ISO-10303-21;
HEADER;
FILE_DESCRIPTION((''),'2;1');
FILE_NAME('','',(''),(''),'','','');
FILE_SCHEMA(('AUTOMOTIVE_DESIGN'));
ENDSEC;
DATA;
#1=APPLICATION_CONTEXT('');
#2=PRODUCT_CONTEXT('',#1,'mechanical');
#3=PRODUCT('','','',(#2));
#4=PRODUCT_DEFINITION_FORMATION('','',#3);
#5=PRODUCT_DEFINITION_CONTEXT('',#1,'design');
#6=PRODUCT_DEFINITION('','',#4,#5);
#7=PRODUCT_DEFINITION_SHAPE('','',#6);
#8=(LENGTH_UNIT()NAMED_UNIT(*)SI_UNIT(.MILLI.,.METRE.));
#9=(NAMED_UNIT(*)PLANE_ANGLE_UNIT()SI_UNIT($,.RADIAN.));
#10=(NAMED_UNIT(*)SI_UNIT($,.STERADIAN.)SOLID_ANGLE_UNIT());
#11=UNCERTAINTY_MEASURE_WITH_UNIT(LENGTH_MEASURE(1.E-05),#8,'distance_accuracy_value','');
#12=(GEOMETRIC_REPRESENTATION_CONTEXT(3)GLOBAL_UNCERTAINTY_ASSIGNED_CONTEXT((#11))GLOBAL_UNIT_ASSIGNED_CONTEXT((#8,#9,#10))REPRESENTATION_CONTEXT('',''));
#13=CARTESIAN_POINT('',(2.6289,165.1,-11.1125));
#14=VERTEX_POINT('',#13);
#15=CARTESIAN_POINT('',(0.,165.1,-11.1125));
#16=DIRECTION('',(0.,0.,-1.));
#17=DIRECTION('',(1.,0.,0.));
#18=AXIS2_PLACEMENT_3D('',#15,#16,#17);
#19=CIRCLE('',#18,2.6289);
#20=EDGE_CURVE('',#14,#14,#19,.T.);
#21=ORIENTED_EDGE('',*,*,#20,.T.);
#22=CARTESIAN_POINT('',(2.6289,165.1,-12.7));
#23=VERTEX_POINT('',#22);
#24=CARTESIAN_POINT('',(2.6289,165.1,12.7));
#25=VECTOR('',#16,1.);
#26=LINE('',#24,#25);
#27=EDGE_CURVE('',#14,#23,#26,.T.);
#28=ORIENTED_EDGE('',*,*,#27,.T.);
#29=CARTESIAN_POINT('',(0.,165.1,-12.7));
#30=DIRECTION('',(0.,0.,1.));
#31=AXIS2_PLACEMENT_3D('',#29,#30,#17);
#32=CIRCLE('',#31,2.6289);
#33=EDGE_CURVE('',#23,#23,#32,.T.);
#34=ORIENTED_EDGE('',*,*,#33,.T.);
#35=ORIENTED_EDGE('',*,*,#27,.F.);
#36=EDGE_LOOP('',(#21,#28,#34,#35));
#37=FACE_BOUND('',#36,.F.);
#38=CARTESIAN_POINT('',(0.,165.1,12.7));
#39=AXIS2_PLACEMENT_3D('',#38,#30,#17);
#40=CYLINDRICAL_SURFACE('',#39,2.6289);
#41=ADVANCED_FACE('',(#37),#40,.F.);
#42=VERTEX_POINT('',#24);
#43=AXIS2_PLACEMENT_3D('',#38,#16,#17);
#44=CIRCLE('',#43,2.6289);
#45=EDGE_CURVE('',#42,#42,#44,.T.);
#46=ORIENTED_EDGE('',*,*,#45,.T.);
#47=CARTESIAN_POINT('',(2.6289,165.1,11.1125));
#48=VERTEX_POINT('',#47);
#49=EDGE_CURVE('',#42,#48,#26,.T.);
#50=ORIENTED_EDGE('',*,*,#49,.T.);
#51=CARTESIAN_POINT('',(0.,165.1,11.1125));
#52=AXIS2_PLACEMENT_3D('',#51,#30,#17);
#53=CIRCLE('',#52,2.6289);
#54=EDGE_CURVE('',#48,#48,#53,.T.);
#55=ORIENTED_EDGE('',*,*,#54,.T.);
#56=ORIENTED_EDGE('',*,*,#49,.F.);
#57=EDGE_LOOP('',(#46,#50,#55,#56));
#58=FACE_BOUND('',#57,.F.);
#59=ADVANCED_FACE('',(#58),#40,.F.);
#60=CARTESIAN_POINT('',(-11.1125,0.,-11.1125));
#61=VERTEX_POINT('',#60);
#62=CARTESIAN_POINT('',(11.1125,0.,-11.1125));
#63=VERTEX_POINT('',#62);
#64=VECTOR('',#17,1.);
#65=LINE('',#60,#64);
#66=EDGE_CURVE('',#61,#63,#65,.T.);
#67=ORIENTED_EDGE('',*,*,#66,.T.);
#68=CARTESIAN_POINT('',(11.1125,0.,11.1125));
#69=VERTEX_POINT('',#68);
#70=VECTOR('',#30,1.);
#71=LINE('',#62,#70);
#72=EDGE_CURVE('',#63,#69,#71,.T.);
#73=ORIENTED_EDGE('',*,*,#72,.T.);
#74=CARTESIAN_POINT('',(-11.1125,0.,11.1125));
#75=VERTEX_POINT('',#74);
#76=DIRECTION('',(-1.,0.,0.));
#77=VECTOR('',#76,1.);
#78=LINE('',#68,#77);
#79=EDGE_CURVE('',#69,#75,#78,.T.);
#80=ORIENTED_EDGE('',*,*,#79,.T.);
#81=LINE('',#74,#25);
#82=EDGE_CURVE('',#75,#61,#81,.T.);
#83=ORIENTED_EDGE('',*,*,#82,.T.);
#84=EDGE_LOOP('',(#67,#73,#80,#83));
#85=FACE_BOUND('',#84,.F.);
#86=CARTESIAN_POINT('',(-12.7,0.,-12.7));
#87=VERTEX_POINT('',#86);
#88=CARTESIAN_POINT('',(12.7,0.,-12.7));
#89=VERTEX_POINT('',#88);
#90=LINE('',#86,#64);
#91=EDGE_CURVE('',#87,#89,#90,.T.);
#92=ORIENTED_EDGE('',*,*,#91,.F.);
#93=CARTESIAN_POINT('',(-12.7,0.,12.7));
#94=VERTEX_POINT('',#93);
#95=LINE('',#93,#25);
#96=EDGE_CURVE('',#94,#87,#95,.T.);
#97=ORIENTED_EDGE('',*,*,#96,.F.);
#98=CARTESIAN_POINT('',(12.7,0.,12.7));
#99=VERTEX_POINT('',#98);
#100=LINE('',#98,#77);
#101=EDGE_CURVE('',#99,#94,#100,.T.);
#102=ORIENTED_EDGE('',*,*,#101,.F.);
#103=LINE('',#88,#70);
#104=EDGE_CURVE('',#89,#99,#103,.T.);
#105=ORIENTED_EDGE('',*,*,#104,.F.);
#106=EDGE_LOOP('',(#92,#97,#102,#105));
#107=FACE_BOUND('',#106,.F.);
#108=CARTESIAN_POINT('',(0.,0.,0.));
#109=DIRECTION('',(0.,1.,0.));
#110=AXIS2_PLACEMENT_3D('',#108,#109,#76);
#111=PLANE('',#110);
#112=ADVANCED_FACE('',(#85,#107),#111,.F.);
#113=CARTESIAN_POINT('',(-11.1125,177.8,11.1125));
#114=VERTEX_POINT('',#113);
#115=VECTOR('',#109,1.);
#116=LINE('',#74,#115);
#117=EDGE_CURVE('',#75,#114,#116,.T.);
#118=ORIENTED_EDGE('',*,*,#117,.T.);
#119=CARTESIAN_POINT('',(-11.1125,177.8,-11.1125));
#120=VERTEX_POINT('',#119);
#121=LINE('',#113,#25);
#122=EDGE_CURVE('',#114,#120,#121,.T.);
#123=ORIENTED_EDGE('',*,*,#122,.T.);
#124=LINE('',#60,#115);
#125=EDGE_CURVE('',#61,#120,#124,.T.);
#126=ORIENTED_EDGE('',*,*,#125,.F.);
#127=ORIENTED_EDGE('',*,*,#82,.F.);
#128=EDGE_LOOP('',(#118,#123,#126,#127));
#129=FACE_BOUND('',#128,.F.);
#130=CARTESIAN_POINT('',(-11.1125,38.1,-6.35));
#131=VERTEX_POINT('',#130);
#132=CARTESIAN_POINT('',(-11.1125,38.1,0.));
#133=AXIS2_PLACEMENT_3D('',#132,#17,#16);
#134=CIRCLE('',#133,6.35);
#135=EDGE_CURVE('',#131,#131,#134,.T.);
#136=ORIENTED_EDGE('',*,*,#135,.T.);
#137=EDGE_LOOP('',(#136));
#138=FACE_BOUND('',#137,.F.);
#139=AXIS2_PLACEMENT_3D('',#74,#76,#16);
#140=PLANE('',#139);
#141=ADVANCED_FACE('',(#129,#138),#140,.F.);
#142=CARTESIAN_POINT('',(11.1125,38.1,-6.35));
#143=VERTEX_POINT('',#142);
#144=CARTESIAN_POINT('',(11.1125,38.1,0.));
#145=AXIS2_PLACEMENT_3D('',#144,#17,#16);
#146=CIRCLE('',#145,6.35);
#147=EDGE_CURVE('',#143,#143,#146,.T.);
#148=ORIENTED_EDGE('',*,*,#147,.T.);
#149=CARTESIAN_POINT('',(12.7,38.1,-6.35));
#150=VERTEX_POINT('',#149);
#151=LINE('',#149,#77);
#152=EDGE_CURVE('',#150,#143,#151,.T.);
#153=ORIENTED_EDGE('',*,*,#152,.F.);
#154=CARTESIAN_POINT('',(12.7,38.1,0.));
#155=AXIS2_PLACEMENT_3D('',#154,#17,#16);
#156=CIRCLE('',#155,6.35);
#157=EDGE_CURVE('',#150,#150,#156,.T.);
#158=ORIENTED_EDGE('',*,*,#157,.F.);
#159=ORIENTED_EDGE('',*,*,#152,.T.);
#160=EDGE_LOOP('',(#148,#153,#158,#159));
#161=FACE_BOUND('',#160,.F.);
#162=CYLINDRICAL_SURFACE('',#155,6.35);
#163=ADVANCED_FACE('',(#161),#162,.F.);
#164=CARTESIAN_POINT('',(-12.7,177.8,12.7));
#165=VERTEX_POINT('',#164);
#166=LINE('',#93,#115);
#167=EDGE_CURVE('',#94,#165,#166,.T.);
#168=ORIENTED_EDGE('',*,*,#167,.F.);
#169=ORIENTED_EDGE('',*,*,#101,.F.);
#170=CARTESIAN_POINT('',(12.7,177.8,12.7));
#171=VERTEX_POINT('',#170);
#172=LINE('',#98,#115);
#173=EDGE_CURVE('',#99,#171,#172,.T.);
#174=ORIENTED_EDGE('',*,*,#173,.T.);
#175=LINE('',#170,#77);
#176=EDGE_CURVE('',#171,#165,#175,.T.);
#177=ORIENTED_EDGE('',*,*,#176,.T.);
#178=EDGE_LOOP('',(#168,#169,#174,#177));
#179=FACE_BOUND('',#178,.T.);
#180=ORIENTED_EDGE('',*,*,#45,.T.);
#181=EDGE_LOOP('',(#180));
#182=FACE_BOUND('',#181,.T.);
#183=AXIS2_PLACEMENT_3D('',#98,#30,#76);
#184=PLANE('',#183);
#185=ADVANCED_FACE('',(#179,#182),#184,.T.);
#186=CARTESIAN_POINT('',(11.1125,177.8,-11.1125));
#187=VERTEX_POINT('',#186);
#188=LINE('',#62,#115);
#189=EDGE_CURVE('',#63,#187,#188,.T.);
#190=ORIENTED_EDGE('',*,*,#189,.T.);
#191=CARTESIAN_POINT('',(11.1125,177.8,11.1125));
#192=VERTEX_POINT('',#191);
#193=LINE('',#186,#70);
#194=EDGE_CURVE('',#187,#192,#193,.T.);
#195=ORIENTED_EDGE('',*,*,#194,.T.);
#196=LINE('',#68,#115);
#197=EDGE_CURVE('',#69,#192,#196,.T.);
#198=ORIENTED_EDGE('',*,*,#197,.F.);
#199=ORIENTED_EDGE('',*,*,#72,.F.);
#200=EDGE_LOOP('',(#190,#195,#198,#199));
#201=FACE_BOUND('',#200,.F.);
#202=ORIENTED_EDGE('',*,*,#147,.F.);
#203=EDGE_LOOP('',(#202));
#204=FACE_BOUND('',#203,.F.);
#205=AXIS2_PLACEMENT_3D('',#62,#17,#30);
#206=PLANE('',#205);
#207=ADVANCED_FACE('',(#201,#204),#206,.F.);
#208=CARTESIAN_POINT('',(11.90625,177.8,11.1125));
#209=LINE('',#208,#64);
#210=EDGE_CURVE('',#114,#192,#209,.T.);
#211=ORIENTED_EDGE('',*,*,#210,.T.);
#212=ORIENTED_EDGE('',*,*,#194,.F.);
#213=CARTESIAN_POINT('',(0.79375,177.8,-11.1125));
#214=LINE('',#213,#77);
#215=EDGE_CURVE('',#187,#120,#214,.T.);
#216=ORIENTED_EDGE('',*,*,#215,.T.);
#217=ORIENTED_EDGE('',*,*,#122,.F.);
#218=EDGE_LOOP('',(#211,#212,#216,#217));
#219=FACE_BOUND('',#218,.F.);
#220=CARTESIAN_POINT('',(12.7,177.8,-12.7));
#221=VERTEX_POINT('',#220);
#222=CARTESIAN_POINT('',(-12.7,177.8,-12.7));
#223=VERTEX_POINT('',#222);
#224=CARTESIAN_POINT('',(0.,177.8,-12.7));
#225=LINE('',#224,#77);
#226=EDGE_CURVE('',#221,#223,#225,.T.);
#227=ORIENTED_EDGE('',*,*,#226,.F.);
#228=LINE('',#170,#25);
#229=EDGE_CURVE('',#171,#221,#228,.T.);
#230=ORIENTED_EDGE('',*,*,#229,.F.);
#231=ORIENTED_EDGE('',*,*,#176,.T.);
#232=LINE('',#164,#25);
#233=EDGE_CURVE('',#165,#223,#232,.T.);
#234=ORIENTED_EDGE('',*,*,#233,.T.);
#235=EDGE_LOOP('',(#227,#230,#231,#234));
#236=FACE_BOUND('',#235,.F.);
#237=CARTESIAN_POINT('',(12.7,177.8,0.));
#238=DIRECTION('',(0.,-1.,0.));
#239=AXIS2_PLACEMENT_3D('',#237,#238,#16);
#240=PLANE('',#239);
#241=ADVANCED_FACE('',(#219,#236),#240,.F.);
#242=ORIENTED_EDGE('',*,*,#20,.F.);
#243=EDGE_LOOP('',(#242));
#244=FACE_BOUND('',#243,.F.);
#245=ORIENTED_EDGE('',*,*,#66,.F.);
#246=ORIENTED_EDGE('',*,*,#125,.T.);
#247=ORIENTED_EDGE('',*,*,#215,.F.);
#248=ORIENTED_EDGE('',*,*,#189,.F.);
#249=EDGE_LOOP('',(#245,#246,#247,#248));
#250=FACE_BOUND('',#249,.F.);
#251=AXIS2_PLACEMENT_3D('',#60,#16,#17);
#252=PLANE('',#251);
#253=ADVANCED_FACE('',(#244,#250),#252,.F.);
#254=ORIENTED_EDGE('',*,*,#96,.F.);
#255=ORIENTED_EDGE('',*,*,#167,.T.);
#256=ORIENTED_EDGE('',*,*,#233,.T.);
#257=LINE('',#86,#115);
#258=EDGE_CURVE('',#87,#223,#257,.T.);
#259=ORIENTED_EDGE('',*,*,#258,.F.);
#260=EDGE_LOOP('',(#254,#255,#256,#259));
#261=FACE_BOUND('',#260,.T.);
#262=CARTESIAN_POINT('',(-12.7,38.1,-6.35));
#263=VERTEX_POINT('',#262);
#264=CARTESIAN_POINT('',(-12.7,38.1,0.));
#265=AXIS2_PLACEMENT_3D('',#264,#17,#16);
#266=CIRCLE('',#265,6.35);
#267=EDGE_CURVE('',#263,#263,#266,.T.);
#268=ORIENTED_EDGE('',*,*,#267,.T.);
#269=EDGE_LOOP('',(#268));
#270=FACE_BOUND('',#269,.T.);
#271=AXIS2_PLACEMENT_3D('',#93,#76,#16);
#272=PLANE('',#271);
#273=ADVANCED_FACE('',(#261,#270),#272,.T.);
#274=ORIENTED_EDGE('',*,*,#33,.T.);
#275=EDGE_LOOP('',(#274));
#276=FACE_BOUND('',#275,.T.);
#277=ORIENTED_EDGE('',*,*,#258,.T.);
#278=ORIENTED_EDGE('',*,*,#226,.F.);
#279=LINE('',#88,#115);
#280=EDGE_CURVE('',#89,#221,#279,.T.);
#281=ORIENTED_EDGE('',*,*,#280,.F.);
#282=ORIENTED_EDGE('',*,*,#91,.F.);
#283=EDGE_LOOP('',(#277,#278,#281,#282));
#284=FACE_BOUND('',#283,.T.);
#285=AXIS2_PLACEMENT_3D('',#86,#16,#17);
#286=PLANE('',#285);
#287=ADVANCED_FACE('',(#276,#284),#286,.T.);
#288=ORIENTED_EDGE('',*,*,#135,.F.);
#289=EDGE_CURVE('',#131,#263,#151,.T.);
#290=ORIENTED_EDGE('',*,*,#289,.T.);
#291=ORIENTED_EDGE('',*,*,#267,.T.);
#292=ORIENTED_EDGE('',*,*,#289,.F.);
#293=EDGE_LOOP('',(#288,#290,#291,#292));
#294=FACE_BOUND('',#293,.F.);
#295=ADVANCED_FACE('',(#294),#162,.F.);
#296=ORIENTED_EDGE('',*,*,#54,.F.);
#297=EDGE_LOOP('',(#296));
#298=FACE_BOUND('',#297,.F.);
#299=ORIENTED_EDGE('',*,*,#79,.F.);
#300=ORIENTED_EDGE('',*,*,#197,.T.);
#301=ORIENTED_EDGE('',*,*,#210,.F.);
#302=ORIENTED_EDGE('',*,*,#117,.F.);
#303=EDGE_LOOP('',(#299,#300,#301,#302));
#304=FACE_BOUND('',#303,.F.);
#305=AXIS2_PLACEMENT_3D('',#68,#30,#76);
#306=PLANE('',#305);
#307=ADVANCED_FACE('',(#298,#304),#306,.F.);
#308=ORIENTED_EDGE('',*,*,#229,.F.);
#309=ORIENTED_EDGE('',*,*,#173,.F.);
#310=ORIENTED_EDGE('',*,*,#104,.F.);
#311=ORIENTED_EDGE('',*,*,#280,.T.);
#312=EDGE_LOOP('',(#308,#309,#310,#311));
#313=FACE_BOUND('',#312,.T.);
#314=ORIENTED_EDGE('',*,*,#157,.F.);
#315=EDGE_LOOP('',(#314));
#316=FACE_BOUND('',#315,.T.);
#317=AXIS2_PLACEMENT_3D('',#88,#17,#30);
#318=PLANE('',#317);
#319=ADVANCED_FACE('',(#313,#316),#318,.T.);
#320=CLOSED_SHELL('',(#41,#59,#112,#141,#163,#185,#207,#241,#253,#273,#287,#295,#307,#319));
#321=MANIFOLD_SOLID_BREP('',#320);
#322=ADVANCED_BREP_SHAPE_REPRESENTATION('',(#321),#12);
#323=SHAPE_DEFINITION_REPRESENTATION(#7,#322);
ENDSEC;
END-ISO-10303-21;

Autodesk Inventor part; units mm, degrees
ref_plane "YZ Plane" through (0, 0, 0) normal (1, 0, 0) x (0, 1, 0)
ref_plane "XZ Plane" through (0, 0, 0) normal (0, 1, 0) x (-1, 0, 0)
ref_plane "XY Plane" through (0, 0, 0) normal (0, 0, 1) x (1, 0, 0)
sketch "Sketch1" plane through (0, 0, 0) normal (0, 1, 0) x (-1, 0, 0)
  line L0 (12.7, 12.7) -> (12.7, -12.7)
  line L1 (12.7, -12.7) -> (-12.7, -12.7)
  line L2 (-12.7, -12.7) -> (-12.7, 12.7)
  line L3 (-12.7, 12.7) -> (12.7, 12.7)
  line L4 (12.7, 12.7) -> (-12.7, -12.7) construction
  line L5 (12.7, -12.7) -> (-12.7, 12.7) construction
  line L6 (11.1125, 11.1125) -> (11.1125, -11.1125)
  line L7 (11.1125, -11.1125) -> (-11.1125, -11.1125)
  line L8 (-11.1125, -11.1125) -> (-11.1125, 11.1125)
  line L9 (-11.1125, 11.1125) -> (11.1125, 11.1125)
  line L10 (11.1125, 11.1125) -> (-11.1125, -11.1125) construction
  line L11 (11.1125, -11.1125) -> (-11.1125, 11.1125) construction
  point P0 (0, 0)
  dimension "d0" = 25.4
  dimension "d1" = 25.4
  dimension "d2" = 1.5875
  dimension "d3" = 1.5875
extrude "Extrusion1" add sketch "Sketch1" along normal blind 660.4
sketch "Sketch2" plane through (12.7, 0, 12.7) normal (1, 0, 0) x (0, 0, -1)
  line L0 (12.7, 0) -> (12.7, 38.1)
  circle A0 centre (12.7, 38.1) radius 4.7625
  line L1 (3.9688, 38.1) -> (8.3344, 45.6615)
  line L2 (8.3344, 45.6615) -> (17.0656, 45.6615)
  line L3 (17.0656, 45.6615) -> (21.4313, 38.1)
  line L4 (21.4313, 38.1) -> (17.0656, 30.5385)
  line L5 (17.0656, 30.5385) -> (8.3344, 30.5385)
  line L6 (8.3344, 30.5385) -> (3.9688, 38.1)
  dimension "d6" = 38.1
  dimension "d7" = 9.525
  dimension "d8" = 8.7312
extrude "Extrusion2" cut sketch "Sketch2" against normal blind 46.6 contours A0
sketch "Sketch3" plane through (12.7, 0, 12.7) normal (1, 0, 0) x (0, 0, -1)
  line L0 (12.7, 0) -> (12.7, 177.8)
  line L1 (0, 0) -> (0, 660.4) projected
  line L2 (0, 177.8) -> (180.4268, 177.8)
  line L3 (180.4268, 177.8) -> (180.4268, 742.2297)
  line L4 (180.4268, 742.2297) -> (0, 742.2297)
  line L5 (0, 742.2297) -> (0, 177.8)
  dimension "d11" = 177.8
extrude "Extrusion3" cut sketch "Sketch3" against normal blind 354.85
sketch "Sketch4" plane through (12.7, 0, 12.7) normal (1, 0, 0) x (0, 0, -1)
  point P0 (12.7, 0)
sketch "Sketch5" plane through (-12.7, 0, 12.7) normal (0, 0, 1) x (1, 0, 0)
  line L0 (0, 177.8) -> (25.4, 177.8) projected
  line L1 (12.7, 177.8) -> (12.7, 165.1)
  circle A0 centre (12.7, 165.1) radius 2.6289
  point P0 (12.7, 0)
  dimension "d14" = 12.7
  dimension "d15" = 5.2578
extrude "Extrusion4" cut sketch "Sketch5" against normal blind 86.1
sketch "Sketch6" plane through (12.7, 0, 12.7) normal (1, 0, 0) x (0, 0, -1)
  circle A0 centre (12.7, 38.1) radius 4.7625 projected
  circle A1 centre (12.7, 38.1) radius 6.35
  point P0 (12.7, 0)
  dimension "d18" = 12.7
extrude "Extrusion5" cut sketch "Sketch6" against normal blind 44.35
properties part number "Tube Finger" material "Aluminum 6061"
